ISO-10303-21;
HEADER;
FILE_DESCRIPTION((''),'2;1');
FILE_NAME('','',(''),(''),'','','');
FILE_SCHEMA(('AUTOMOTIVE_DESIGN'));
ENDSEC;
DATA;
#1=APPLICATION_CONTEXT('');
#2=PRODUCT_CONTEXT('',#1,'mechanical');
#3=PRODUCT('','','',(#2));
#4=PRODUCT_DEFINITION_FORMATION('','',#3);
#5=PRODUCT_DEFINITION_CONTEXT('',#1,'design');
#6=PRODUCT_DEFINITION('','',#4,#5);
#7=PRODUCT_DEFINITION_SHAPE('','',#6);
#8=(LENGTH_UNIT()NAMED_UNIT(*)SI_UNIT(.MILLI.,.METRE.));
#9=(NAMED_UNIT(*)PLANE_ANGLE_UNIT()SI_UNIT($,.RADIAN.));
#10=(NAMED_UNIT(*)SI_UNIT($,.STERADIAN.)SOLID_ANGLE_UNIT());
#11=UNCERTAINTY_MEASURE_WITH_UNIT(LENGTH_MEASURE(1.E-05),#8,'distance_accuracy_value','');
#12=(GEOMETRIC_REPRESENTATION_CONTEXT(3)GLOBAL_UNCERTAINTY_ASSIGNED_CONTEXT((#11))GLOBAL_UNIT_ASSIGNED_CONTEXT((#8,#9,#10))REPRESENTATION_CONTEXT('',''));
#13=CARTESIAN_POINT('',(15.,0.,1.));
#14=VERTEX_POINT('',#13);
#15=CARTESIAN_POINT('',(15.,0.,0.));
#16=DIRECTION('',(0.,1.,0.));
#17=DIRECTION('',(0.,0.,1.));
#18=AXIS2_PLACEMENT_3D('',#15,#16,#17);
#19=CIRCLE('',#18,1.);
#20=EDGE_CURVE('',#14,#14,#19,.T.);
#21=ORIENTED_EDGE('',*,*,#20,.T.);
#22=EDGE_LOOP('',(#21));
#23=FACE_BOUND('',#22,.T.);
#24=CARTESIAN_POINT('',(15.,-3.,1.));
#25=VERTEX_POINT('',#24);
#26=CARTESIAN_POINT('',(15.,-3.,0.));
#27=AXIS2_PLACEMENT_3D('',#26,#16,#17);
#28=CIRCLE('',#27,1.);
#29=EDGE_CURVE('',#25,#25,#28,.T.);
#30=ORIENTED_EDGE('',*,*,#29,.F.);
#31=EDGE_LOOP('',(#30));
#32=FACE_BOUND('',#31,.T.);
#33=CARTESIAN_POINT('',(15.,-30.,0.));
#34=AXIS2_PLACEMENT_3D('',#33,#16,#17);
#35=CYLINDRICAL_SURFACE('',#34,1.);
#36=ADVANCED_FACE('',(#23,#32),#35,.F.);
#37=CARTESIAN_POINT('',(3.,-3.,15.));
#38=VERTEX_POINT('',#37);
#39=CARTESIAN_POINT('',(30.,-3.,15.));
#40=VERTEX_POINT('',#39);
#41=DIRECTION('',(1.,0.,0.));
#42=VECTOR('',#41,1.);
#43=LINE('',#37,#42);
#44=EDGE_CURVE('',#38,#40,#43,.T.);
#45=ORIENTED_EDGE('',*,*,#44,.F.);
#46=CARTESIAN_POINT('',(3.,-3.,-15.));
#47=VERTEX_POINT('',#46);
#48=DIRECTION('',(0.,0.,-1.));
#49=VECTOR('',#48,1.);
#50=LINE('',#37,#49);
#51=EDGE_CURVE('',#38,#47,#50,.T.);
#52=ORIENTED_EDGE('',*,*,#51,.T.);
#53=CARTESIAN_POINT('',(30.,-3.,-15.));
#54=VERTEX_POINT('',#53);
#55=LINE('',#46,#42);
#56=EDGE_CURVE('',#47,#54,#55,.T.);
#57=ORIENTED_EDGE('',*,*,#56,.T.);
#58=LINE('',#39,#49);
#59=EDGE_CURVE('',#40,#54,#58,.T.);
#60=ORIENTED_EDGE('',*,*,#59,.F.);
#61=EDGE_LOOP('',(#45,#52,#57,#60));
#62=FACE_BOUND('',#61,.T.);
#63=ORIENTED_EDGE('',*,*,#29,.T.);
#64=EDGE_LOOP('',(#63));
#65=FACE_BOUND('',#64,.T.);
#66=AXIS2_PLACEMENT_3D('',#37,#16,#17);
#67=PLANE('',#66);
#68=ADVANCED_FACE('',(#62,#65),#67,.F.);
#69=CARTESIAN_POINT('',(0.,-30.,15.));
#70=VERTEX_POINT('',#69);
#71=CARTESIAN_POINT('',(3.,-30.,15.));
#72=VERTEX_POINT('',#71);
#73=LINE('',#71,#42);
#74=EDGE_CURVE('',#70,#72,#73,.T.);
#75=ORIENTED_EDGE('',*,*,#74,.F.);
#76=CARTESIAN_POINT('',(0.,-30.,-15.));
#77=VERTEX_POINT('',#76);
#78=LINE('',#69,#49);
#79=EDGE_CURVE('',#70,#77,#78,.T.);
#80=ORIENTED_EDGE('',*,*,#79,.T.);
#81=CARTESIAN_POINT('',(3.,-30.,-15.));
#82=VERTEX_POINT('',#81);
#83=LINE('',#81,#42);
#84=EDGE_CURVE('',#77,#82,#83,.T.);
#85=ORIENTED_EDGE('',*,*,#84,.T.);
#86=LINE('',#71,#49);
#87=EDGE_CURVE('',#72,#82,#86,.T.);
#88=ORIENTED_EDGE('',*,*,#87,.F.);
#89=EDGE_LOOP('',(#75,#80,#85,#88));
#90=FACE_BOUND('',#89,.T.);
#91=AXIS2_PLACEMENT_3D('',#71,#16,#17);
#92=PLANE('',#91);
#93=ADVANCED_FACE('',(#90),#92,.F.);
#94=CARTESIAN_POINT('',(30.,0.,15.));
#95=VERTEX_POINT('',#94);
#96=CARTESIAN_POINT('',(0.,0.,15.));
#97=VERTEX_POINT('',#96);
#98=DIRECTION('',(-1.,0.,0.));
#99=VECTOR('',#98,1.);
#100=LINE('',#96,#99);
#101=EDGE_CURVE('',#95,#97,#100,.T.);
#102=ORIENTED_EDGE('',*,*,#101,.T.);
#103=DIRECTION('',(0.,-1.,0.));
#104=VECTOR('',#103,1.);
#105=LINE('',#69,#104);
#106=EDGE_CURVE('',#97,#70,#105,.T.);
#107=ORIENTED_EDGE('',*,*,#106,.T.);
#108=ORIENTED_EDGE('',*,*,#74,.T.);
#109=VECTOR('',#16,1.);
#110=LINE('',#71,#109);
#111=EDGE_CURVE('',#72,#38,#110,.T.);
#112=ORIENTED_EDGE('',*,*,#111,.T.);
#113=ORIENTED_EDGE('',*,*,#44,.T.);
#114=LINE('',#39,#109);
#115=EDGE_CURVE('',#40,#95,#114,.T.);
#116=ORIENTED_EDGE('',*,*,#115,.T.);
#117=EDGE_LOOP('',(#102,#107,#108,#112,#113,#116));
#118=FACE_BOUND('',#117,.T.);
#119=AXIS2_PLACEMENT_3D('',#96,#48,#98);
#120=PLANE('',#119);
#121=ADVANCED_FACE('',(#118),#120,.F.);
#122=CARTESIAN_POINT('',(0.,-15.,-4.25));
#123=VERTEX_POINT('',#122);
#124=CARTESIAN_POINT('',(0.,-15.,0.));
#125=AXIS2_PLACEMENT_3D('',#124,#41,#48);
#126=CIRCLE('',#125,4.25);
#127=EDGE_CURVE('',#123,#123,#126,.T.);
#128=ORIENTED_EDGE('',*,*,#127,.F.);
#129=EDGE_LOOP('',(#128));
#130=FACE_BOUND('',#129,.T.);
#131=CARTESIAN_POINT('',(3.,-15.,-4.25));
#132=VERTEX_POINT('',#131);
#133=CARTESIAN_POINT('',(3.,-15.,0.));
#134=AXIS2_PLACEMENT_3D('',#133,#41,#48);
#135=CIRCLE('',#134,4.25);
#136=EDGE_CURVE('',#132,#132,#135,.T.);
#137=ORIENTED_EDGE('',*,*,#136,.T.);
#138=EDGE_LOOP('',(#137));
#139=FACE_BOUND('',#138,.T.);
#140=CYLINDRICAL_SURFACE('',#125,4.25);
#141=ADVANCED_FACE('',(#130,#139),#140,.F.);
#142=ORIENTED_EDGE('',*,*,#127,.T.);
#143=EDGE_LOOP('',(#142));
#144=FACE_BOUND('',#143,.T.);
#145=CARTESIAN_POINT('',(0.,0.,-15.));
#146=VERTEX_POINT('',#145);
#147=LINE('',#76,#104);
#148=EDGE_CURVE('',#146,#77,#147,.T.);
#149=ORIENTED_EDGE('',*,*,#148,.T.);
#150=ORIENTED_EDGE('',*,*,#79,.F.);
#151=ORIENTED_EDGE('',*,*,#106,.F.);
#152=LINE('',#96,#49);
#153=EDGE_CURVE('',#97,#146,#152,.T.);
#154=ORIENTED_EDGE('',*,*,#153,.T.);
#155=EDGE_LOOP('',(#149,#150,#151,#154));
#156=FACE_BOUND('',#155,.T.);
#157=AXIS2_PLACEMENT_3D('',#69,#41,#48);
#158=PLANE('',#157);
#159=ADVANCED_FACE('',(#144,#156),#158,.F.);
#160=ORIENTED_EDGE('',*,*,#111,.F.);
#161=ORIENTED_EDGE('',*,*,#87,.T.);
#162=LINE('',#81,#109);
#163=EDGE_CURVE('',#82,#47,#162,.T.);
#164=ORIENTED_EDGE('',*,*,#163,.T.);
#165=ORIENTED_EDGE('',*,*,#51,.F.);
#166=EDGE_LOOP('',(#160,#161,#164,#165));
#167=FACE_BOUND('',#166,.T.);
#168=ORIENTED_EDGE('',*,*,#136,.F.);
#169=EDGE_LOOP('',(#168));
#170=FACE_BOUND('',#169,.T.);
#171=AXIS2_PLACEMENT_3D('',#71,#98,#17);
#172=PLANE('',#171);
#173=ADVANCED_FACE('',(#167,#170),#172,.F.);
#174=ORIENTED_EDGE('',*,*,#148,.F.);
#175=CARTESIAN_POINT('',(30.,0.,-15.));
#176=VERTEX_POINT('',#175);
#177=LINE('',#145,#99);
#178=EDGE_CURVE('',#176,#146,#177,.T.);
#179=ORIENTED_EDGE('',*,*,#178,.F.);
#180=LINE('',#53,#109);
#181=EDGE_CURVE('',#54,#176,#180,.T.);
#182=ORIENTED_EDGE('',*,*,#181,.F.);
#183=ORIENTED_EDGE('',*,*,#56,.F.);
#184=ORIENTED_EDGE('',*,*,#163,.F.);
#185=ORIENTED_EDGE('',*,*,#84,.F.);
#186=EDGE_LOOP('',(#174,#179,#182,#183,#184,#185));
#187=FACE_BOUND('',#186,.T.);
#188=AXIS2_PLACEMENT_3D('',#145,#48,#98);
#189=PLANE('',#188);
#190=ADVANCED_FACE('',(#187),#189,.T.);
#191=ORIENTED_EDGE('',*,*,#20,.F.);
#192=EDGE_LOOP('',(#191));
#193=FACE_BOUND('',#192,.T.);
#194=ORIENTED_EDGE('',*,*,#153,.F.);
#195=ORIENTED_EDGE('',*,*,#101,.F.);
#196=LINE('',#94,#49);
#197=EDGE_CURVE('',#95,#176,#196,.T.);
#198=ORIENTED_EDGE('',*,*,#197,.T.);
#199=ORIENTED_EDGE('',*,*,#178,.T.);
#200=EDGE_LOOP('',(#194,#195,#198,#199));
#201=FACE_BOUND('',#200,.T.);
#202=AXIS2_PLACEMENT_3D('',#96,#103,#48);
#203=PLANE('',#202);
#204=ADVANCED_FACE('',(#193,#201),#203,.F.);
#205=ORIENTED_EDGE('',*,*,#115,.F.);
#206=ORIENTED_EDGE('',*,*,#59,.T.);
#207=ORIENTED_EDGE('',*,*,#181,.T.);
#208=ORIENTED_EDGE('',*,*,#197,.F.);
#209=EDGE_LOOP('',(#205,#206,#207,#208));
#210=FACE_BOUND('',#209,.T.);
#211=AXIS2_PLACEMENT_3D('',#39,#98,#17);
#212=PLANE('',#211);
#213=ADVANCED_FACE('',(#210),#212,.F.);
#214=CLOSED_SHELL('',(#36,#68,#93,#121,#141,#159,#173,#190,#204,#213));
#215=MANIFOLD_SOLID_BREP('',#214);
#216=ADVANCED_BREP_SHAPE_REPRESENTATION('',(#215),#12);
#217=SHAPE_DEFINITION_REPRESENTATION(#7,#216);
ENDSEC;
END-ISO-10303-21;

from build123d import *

# Parameters (mm, degrees)
EXTRUDE_1_DEPTH     = 15
SKETCH_3_R          = 4.25
CUT_EXTRUDE_1_DEPTH = 44.058100283
SKETCH_5_R          = 1
CUT_EXTRUDE_2_DEPTH = 46


with BuildPart() as part:
    # 草图1 → 凸台-拉伸1 (new, symmetric)
    with BuildSketch(Plane.XY):
        Polygon((0, -30), (0, 0), (30, 0), (30, -3), (3, -3), (3, -30), align=None)
    extrude(amount=EXTRUDE_1_DEPTH, both=True)

    # 草图3 → 切除-拉伸1 (cut, through all)
    with BuildSketch(Plane(origin=(3, 0, 0), x_dir=(0, 0, -1), z_dir=(1, 0, 0))):
        with Locations((0, -15)):
            Circle(SKETCH_3_R)
    extrude(amount=-CUT_EXTRUDE_1_DEPTH, mode=Mode.SUBTRACT)

    # 草图5 → 切除-拉伸2 (cut, through all)
    with BuildSketch(Plane(origin=(0, 0, 0), x_dir=(1, 0, 0), z_dir=(0, 1, 0))):
        with Locations(Location((15, 0, 0), (0, 0, 270))):
            Circle(SKETCH_5_R)
    extrude(amount=-CUT_EXTRUDE_2_DEPTH, mode=Mode.SUBTRACT)


solid = part.part
